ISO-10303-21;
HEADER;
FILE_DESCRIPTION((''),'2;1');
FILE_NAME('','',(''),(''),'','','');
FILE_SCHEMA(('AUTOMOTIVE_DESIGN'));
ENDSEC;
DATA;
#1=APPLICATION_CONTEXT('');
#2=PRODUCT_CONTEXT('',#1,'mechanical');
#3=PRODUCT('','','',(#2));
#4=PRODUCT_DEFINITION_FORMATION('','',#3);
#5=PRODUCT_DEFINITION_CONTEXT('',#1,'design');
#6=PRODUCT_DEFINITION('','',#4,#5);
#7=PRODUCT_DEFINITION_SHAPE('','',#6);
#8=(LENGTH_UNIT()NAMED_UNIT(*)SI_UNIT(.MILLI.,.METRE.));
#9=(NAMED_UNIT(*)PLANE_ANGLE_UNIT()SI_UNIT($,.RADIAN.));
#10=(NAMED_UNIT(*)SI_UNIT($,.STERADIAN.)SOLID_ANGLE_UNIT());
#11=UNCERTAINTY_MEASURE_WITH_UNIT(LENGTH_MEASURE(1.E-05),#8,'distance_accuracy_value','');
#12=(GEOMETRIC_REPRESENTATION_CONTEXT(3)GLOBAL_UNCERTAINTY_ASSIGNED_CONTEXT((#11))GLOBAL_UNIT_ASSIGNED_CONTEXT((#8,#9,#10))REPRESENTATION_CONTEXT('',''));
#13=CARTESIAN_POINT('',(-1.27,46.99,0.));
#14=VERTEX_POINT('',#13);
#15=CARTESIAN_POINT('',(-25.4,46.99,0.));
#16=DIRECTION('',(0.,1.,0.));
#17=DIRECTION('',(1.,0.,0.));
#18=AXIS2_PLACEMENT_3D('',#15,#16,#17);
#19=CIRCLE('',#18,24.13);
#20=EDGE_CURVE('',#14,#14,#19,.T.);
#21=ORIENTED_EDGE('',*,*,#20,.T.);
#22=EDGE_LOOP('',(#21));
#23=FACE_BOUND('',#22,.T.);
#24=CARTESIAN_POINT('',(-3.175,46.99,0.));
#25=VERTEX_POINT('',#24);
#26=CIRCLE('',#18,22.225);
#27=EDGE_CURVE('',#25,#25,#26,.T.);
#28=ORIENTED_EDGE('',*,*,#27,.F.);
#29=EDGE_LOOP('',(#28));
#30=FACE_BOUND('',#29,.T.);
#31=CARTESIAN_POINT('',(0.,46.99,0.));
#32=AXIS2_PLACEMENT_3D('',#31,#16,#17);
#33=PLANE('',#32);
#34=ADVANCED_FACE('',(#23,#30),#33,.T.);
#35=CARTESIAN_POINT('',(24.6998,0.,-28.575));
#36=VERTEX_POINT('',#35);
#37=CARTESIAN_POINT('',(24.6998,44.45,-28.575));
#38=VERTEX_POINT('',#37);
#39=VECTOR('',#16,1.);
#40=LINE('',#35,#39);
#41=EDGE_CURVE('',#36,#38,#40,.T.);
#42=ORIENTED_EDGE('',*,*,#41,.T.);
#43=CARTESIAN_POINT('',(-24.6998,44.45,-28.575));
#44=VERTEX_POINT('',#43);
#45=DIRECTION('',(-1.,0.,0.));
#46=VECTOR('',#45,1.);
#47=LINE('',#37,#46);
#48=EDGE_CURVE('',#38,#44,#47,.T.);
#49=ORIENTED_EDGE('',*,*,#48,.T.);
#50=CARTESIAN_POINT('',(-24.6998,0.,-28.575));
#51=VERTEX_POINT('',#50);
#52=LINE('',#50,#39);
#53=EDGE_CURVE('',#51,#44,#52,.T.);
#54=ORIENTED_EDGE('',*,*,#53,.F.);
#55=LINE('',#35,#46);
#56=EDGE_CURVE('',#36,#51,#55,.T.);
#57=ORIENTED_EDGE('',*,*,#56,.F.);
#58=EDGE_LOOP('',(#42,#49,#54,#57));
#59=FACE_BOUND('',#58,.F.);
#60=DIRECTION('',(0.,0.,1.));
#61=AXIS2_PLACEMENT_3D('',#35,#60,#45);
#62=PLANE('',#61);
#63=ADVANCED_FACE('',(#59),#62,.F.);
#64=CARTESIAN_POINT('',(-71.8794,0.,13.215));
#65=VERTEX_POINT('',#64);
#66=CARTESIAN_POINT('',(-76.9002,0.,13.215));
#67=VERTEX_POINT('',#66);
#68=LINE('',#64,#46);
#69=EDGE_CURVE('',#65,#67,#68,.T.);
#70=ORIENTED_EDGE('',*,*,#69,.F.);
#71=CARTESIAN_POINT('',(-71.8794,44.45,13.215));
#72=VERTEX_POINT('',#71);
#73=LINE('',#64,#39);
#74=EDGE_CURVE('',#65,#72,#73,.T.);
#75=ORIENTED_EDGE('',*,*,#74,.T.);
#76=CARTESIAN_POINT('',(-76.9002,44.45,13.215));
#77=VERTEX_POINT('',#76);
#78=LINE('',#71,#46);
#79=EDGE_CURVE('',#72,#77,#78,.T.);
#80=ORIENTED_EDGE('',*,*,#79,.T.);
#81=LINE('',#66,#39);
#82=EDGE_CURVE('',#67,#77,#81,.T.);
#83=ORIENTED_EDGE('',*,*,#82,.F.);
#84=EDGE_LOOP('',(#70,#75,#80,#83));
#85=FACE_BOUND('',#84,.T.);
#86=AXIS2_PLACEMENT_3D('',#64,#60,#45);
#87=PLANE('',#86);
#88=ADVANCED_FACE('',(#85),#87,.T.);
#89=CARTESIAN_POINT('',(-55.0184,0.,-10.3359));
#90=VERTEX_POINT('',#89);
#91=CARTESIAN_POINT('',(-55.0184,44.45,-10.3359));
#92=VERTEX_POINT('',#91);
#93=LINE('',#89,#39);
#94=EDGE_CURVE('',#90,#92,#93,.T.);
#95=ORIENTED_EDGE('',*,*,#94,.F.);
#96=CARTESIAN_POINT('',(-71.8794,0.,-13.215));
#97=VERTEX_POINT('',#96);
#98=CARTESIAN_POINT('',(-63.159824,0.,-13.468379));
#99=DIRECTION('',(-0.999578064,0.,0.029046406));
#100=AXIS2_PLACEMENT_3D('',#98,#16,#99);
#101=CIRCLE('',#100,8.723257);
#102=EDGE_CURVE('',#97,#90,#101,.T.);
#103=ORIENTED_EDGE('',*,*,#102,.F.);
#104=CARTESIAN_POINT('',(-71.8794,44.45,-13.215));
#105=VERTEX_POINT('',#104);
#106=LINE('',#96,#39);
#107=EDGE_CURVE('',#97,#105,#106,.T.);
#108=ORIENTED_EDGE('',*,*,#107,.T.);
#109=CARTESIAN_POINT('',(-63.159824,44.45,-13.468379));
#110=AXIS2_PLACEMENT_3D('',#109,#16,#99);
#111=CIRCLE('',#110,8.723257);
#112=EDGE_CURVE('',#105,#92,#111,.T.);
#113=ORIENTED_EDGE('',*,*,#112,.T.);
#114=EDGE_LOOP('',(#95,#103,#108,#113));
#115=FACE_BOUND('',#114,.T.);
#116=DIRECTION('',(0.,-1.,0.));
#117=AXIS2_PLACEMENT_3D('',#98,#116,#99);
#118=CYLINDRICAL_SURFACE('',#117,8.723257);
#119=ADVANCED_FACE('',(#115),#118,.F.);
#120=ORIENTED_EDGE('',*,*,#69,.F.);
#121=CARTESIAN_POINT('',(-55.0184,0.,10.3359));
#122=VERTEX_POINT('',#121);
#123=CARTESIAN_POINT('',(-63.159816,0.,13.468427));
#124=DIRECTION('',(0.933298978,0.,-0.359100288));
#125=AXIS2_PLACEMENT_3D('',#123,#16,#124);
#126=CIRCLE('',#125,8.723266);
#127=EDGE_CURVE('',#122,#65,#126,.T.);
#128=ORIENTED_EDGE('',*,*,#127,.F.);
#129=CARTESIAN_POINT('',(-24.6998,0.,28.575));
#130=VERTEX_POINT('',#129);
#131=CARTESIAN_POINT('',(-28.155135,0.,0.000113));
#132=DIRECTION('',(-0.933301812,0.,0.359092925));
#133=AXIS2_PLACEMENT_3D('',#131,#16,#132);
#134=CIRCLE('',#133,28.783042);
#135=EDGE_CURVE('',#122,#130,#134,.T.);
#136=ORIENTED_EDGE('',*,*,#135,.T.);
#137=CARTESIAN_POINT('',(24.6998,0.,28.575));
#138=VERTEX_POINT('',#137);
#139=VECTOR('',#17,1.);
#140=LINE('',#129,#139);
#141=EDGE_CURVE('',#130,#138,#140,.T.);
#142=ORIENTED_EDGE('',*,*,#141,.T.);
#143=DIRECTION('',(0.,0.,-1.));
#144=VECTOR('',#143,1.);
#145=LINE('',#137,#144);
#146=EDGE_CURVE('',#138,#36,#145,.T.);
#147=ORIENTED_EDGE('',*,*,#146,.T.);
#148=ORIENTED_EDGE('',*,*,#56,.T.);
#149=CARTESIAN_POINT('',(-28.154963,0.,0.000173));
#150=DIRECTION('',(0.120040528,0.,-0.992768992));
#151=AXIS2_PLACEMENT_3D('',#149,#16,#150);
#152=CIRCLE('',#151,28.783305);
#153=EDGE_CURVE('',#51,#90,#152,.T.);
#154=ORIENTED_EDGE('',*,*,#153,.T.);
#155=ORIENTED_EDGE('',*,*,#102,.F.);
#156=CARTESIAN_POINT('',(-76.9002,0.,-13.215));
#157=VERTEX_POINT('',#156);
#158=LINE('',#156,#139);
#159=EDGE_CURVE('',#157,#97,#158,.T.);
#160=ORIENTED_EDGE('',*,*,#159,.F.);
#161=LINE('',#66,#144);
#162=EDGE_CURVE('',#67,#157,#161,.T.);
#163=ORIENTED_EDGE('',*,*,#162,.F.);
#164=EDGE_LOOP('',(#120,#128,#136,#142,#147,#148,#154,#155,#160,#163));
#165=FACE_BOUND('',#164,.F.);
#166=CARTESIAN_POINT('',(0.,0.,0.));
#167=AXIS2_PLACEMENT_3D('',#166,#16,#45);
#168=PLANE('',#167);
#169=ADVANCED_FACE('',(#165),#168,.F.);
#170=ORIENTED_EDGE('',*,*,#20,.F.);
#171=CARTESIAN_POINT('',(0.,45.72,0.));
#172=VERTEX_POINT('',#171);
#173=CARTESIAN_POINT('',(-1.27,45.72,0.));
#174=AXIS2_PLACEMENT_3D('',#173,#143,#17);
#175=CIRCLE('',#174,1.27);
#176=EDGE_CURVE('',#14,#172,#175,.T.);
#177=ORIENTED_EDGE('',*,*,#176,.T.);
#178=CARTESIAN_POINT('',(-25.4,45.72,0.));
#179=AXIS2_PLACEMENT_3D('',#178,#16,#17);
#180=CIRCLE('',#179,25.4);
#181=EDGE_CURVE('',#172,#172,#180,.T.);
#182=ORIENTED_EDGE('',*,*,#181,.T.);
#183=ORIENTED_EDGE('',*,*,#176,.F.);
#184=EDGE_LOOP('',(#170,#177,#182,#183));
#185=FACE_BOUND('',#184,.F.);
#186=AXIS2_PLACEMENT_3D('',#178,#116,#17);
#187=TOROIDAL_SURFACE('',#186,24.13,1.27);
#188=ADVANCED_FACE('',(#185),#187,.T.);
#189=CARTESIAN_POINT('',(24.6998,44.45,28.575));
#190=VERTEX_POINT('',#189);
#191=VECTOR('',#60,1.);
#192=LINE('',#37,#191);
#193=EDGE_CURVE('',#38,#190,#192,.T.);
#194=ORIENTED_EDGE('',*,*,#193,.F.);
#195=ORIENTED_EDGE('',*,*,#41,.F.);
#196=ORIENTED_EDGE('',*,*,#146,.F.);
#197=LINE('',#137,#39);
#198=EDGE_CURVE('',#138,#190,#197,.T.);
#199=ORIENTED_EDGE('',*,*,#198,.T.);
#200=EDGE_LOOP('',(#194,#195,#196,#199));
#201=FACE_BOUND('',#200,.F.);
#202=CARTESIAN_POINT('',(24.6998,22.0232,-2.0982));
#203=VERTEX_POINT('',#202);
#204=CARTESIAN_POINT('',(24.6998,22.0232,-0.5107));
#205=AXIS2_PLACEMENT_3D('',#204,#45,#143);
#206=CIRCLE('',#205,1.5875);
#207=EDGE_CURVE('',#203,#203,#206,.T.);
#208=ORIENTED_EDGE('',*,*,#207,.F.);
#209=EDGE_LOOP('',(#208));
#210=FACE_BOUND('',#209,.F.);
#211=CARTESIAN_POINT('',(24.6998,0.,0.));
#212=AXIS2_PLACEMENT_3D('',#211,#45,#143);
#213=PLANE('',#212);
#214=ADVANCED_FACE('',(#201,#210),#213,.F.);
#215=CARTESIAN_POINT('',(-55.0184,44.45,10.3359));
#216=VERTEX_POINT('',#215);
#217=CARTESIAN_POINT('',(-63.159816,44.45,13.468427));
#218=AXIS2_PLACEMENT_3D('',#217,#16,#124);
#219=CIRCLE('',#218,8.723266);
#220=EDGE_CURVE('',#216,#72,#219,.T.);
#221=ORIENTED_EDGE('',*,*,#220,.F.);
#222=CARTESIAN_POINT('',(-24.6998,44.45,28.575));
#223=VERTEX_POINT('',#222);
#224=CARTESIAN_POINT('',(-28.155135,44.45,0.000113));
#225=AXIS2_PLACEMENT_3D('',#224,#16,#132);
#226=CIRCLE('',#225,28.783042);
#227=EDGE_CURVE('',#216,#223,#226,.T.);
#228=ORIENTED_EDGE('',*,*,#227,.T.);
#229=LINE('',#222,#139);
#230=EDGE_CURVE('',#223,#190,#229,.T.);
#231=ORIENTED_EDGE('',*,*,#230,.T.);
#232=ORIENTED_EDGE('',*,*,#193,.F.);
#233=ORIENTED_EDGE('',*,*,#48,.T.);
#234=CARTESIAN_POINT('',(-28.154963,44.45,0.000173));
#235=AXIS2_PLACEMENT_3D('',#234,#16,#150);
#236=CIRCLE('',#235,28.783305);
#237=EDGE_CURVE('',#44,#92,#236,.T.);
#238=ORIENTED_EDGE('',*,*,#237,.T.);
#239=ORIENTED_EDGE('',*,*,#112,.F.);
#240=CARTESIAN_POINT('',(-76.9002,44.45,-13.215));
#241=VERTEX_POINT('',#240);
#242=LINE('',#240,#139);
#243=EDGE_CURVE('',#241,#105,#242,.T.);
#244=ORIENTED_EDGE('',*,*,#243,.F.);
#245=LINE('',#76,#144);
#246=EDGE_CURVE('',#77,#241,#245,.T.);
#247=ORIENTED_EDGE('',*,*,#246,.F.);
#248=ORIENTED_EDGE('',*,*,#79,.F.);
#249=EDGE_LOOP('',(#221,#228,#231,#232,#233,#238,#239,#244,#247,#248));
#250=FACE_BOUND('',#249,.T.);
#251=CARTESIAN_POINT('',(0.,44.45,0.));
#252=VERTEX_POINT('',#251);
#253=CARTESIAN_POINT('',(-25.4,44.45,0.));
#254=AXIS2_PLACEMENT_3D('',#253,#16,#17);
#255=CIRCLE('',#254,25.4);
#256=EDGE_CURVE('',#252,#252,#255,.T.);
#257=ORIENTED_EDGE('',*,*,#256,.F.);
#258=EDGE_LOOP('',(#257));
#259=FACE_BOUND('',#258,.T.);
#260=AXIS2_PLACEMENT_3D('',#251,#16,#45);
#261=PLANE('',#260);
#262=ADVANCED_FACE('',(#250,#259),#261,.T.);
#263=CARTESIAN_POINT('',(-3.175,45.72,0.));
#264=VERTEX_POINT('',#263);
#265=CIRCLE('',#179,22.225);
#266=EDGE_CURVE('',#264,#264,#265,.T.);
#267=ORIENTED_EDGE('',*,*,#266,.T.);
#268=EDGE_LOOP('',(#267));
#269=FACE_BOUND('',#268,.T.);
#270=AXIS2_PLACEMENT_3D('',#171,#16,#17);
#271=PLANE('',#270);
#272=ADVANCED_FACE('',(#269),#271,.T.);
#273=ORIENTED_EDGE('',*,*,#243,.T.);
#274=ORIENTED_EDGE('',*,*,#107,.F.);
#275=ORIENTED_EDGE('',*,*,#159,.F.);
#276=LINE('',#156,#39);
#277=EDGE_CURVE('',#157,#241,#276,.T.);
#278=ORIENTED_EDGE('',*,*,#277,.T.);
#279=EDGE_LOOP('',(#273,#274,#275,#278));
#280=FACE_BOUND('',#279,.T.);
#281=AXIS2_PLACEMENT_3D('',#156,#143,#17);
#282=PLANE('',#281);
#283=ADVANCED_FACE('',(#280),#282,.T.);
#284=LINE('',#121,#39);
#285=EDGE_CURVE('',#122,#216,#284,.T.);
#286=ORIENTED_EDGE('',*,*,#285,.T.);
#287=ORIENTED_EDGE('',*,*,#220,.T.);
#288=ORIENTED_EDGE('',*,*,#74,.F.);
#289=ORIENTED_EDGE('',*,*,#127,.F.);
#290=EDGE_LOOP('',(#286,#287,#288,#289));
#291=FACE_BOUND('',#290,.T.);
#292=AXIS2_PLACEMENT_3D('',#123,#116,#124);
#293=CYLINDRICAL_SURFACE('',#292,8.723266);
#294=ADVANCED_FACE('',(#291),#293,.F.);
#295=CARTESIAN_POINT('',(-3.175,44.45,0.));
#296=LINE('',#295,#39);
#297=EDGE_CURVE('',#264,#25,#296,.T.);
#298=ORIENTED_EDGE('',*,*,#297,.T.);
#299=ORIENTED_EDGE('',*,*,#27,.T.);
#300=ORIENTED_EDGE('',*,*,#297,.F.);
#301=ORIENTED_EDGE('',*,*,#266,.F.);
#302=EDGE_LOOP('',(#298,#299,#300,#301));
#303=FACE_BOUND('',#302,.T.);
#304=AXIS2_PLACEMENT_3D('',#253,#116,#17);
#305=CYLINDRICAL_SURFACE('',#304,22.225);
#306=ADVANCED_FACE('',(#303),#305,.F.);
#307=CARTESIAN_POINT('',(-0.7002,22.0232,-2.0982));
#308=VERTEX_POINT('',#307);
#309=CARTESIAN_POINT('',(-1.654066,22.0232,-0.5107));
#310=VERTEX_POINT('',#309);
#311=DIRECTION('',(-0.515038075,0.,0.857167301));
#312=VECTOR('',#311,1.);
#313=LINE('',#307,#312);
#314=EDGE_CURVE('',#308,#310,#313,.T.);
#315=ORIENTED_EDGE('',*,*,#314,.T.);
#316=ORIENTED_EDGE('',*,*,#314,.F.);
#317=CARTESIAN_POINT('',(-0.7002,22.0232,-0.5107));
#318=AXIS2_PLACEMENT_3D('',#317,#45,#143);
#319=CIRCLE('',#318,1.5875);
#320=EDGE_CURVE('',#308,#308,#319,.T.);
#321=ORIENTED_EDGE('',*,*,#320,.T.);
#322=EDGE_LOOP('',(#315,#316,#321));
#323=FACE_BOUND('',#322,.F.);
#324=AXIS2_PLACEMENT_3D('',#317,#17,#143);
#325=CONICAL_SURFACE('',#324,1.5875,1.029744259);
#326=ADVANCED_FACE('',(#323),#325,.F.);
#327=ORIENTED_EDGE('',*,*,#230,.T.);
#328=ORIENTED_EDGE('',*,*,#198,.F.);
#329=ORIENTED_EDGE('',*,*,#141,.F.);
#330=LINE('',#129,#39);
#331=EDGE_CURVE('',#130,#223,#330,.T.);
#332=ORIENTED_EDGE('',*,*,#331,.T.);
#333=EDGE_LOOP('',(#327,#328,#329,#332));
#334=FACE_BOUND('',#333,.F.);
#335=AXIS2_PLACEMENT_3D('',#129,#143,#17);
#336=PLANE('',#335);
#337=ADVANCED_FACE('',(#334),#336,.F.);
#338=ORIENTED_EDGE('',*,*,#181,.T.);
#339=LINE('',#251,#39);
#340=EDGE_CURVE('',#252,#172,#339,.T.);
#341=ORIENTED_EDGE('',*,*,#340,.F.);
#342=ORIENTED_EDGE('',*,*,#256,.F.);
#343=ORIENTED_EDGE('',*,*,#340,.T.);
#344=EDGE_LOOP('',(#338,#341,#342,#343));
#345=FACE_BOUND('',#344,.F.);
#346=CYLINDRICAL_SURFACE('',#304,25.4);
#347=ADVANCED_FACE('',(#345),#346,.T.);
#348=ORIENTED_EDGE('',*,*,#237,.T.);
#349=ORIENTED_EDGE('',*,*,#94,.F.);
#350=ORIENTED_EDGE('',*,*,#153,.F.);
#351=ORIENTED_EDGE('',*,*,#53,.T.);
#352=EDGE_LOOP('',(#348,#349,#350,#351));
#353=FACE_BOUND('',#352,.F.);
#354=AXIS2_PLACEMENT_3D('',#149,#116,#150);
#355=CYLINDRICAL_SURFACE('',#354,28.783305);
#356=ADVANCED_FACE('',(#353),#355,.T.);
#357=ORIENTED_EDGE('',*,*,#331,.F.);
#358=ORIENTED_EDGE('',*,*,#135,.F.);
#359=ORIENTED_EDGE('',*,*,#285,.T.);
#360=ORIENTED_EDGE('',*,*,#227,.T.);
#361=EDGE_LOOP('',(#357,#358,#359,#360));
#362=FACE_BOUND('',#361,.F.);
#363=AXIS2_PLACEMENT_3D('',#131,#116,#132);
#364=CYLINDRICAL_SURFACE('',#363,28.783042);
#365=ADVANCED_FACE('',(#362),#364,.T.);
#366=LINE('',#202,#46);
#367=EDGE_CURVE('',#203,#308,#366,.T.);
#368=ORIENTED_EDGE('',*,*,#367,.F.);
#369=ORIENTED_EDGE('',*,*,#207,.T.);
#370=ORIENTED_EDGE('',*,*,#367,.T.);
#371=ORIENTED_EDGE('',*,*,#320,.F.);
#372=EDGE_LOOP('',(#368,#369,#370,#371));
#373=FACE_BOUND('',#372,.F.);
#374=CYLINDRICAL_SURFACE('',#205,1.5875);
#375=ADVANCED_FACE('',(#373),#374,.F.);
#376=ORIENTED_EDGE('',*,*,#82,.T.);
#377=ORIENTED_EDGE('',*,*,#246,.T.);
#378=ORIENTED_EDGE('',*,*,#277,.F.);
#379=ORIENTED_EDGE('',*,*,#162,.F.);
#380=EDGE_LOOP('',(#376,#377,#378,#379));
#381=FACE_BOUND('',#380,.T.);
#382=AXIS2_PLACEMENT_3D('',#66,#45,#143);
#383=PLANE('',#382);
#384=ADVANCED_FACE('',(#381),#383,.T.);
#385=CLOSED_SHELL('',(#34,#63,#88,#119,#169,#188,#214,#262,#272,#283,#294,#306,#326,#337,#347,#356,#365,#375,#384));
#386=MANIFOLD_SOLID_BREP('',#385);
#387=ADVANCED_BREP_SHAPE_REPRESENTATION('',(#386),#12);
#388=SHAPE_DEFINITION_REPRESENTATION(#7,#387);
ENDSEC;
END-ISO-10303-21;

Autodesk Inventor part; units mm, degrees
ref_plane "YZ Plane" through (0, 0, 0) normal (1, 0, 0) x (0, 1, 0)
ref_plane "XZ Plane" through (0, 0, 0) normal (0, 1, 0) x (-1, 0, 0)
ref_plane "XY Plane" through (0, 0, 0) normal (0, 0, 1) x (1, 0, 0)
sketch "Sketch1" plane through (0, 0, 0) normal (0, 1, 0) x (-1, 0, 0)
  line L0 (-24.6998, -28.575) -> (24.6998, -28.575)
  line L1 (24.6998, 28.575) -> (-24.6998, 28.575)
  line L2 (-24.6998, 28.575) -> (-24.6998, -28.575)
  line L3 (-24.6998, -28.575) -> (24.6998, 28.575) construction
  line L4 (24.6998, -28.575) -> (-24.6998, 28.575) construction
  arc A0 (55.0184, 10.3359) -> (71.8794, 13.215) centre (63.1598, 13.4684) ccw
  line L5 (74.3603, 0) -> (-43.8805, 0)
  arc A1 (71.8794, -13.215) -> (55.0184, -10.3359) centre (63.1598, -13.4684) ccw
  line L6 (71.8794, 13.215) -> (76.9002, 13.215)
  line L7 (76.9002, 13.215) -> (76.9002, -13.215)
  line L8 (76.9002, -13.215) -> (71.8794, -13.215)
  arc A2 (55.0184, 10.3359) -> (24.6998, 28.575) centre (28.155, 0) ccw
  arc A3 (24.6998, -28.575) -> (55.0184, -10.3359) centre (28.155, 0) ccw
  point P0 (0, 0)
  dimension "d1" = 57.15
  dimension "d2" = 101.6
extrude "Extrusion1" add sketch "Sketch1" along normal blind 44.45
hole "Hole1" at (24.6998, 22.0232, -0.5107) direction (-1, 0, 0) diameter 3.175 depth 25.4 tip angle 118
sketch "Sketch2" plane through (0, 44.45, 0) normal (0, 1, 0) x (1, 0, 0)
  circle A0 centre (-25.4, 0) radius 25.4
  circle A1 centre (-25.4, 0) radius 22.225
  point P0 (0, 0)
  dimension "d14" = 50.8
  dimension "d15" = 25.4
  dimension "d18" = 44.45
extrude "Extrusion3" add sketch "Sketch2" along normal blind 2.54
extrude "Extrusion4" add sketch "Sketch2" along normal blind 1.27 contours A1
fillet "Fillet1" radius 1.27 1 edges at (-50.8, 46.99, 0)
properties part number "Durometer_Sensor"
